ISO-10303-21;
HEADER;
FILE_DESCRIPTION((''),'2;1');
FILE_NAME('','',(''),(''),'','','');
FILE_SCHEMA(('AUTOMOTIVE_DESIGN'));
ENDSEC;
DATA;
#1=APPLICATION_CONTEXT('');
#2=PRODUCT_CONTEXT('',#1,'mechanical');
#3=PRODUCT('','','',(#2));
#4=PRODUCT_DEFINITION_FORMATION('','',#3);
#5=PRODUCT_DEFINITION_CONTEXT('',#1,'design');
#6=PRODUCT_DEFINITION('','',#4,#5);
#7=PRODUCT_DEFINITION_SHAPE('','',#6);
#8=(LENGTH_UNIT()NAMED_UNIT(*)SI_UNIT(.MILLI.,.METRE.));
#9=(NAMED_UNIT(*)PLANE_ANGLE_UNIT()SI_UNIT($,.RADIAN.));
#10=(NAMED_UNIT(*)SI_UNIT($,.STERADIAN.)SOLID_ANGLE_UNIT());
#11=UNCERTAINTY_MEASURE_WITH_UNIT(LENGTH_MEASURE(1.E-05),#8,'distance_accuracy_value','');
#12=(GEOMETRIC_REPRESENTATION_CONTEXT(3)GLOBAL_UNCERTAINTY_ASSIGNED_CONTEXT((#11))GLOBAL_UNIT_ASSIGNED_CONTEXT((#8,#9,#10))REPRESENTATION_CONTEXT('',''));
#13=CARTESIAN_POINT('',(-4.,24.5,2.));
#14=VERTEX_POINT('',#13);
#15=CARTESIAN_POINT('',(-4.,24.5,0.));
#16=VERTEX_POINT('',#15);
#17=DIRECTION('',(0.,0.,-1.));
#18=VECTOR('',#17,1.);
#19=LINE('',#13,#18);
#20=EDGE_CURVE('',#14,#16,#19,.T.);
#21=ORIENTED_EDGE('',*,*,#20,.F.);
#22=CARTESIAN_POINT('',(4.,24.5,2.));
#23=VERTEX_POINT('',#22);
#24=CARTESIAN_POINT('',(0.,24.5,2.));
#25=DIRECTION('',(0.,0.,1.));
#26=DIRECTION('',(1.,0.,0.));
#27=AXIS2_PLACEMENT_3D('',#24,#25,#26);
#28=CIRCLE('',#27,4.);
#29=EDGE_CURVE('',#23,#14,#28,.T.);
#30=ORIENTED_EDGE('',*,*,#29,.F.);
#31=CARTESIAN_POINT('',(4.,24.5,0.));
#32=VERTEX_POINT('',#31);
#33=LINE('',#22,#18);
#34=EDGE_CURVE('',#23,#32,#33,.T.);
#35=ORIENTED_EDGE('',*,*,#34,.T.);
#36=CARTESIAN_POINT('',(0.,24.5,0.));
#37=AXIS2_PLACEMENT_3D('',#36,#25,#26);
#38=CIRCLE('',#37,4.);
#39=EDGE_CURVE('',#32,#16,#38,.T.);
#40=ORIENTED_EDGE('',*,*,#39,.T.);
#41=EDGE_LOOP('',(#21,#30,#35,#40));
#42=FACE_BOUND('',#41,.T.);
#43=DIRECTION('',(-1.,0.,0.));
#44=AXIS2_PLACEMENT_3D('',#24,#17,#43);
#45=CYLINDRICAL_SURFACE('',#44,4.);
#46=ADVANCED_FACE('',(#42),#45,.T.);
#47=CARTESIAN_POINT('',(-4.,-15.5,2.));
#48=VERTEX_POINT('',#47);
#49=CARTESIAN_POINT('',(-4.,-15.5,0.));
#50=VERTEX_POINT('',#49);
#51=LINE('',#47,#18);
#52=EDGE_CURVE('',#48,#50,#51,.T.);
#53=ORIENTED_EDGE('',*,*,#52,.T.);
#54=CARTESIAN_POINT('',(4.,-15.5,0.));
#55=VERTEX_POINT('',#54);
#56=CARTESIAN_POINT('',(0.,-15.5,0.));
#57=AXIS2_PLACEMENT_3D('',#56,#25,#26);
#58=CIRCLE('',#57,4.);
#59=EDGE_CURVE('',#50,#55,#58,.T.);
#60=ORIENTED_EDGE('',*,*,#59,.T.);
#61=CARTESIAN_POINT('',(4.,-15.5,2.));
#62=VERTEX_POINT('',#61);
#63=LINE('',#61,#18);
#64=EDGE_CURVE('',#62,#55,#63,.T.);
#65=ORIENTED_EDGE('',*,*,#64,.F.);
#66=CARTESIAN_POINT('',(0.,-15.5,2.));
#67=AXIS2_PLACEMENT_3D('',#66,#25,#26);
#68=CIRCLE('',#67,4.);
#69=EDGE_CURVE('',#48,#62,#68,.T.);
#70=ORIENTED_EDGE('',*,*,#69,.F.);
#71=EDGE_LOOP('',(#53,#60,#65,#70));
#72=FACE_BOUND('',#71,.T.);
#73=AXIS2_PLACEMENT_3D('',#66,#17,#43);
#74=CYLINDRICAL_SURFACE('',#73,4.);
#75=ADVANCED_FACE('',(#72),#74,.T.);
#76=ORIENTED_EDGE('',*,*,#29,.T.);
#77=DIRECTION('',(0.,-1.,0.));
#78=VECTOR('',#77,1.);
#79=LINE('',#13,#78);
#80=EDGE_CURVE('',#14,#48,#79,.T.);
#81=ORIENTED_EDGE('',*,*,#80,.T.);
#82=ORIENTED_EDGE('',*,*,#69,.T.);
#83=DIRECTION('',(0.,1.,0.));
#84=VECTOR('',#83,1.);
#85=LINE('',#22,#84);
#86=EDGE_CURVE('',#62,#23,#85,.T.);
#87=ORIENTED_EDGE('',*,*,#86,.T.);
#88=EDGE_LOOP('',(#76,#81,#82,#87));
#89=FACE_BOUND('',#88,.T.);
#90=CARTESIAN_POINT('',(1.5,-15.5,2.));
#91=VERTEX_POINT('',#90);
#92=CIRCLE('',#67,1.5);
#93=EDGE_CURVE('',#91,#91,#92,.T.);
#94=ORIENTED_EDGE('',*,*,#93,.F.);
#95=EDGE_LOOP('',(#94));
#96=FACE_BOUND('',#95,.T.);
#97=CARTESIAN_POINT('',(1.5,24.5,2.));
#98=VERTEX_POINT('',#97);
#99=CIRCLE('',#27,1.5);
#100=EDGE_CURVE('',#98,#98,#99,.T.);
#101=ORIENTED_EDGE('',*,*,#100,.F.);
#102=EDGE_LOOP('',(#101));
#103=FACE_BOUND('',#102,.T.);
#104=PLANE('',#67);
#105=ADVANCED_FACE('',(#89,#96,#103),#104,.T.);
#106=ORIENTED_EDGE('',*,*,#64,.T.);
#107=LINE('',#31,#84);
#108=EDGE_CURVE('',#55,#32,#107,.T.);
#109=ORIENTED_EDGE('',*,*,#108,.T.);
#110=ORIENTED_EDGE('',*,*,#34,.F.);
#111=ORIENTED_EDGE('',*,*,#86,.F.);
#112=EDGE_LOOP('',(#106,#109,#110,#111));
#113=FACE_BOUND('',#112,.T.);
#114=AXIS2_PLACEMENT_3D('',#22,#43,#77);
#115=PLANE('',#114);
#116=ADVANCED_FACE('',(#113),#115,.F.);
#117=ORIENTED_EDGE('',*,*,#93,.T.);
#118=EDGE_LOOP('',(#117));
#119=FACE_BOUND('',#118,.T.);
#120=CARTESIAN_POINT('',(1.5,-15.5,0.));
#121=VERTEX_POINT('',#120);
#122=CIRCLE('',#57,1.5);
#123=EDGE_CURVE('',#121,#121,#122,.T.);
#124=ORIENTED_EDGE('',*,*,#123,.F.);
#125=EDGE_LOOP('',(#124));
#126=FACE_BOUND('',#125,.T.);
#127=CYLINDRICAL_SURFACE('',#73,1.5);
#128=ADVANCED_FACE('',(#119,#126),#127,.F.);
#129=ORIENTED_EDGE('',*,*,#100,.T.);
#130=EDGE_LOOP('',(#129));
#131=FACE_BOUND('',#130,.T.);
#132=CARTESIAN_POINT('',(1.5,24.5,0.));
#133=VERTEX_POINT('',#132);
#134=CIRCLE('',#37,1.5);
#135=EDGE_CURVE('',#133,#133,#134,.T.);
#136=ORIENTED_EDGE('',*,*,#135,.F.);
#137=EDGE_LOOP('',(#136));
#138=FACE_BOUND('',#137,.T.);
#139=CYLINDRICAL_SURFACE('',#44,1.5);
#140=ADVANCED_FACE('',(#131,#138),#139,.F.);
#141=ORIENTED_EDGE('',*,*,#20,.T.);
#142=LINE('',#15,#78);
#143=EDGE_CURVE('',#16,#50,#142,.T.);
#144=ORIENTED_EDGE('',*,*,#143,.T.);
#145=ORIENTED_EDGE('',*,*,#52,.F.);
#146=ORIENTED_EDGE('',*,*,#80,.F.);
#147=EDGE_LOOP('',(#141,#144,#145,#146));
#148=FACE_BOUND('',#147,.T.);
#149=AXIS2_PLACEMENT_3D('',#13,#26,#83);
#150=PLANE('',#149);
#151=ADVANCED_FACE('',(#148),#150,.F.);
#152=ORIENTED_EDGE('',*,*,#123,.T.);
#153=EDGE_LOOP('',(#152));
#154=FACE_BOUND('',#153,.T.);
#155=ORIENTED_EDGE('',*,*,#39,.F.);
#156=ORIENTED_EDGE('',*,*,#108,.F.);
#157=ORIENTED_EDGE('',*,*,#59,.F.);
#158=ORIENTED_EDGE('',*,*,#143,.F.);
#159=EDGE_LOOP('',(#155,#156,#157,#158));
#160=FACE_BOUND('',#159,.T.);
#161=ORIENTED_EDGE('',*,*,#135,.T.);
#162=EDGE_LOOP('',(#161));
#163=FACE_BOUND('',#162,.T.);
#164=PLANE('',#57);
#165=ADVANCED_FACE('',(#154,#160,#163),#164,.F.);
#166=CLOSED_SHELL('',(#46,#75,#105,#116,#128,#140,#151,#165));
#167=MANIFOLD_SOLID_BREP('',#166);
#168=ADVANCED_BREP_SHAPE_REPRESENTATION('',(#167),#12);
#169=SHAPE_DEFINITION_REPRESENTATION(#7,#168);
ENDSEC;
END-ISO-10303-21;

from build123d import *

# Parameters (mm, degrees)
SKETCH1_R           = 1.5
BOSS_EXTRUDE1_DEPTH = 2


with BuildPart() as part:
    # Sketch1 → Boss-Extrude1 (new body)
    with BuildSketch(Plane.XY):
        with BuildLine():
            Line((-4, 24.5), (-4, -15.5))
            ThreePointArc((-4, -15.5), (0, -19.5), (4, -15.5))
            Line((4, -15.5), (4, 24.5))
            ThreePointArc((4, 24.5), (0, 28.5), (-4, 24.5))
        make_face()
        with Locations((0, 24.5)):
            Circle(SKETCH1_R, mode=Mode.SUBTRACT)
        with Locations((0, -15.5)):
            Circle(SKETCH1_R, mode=Mode.SUBTRACT)
    extrude(amount=BOSS_EXTRUDE1_DEPTH)


solid = part.part
